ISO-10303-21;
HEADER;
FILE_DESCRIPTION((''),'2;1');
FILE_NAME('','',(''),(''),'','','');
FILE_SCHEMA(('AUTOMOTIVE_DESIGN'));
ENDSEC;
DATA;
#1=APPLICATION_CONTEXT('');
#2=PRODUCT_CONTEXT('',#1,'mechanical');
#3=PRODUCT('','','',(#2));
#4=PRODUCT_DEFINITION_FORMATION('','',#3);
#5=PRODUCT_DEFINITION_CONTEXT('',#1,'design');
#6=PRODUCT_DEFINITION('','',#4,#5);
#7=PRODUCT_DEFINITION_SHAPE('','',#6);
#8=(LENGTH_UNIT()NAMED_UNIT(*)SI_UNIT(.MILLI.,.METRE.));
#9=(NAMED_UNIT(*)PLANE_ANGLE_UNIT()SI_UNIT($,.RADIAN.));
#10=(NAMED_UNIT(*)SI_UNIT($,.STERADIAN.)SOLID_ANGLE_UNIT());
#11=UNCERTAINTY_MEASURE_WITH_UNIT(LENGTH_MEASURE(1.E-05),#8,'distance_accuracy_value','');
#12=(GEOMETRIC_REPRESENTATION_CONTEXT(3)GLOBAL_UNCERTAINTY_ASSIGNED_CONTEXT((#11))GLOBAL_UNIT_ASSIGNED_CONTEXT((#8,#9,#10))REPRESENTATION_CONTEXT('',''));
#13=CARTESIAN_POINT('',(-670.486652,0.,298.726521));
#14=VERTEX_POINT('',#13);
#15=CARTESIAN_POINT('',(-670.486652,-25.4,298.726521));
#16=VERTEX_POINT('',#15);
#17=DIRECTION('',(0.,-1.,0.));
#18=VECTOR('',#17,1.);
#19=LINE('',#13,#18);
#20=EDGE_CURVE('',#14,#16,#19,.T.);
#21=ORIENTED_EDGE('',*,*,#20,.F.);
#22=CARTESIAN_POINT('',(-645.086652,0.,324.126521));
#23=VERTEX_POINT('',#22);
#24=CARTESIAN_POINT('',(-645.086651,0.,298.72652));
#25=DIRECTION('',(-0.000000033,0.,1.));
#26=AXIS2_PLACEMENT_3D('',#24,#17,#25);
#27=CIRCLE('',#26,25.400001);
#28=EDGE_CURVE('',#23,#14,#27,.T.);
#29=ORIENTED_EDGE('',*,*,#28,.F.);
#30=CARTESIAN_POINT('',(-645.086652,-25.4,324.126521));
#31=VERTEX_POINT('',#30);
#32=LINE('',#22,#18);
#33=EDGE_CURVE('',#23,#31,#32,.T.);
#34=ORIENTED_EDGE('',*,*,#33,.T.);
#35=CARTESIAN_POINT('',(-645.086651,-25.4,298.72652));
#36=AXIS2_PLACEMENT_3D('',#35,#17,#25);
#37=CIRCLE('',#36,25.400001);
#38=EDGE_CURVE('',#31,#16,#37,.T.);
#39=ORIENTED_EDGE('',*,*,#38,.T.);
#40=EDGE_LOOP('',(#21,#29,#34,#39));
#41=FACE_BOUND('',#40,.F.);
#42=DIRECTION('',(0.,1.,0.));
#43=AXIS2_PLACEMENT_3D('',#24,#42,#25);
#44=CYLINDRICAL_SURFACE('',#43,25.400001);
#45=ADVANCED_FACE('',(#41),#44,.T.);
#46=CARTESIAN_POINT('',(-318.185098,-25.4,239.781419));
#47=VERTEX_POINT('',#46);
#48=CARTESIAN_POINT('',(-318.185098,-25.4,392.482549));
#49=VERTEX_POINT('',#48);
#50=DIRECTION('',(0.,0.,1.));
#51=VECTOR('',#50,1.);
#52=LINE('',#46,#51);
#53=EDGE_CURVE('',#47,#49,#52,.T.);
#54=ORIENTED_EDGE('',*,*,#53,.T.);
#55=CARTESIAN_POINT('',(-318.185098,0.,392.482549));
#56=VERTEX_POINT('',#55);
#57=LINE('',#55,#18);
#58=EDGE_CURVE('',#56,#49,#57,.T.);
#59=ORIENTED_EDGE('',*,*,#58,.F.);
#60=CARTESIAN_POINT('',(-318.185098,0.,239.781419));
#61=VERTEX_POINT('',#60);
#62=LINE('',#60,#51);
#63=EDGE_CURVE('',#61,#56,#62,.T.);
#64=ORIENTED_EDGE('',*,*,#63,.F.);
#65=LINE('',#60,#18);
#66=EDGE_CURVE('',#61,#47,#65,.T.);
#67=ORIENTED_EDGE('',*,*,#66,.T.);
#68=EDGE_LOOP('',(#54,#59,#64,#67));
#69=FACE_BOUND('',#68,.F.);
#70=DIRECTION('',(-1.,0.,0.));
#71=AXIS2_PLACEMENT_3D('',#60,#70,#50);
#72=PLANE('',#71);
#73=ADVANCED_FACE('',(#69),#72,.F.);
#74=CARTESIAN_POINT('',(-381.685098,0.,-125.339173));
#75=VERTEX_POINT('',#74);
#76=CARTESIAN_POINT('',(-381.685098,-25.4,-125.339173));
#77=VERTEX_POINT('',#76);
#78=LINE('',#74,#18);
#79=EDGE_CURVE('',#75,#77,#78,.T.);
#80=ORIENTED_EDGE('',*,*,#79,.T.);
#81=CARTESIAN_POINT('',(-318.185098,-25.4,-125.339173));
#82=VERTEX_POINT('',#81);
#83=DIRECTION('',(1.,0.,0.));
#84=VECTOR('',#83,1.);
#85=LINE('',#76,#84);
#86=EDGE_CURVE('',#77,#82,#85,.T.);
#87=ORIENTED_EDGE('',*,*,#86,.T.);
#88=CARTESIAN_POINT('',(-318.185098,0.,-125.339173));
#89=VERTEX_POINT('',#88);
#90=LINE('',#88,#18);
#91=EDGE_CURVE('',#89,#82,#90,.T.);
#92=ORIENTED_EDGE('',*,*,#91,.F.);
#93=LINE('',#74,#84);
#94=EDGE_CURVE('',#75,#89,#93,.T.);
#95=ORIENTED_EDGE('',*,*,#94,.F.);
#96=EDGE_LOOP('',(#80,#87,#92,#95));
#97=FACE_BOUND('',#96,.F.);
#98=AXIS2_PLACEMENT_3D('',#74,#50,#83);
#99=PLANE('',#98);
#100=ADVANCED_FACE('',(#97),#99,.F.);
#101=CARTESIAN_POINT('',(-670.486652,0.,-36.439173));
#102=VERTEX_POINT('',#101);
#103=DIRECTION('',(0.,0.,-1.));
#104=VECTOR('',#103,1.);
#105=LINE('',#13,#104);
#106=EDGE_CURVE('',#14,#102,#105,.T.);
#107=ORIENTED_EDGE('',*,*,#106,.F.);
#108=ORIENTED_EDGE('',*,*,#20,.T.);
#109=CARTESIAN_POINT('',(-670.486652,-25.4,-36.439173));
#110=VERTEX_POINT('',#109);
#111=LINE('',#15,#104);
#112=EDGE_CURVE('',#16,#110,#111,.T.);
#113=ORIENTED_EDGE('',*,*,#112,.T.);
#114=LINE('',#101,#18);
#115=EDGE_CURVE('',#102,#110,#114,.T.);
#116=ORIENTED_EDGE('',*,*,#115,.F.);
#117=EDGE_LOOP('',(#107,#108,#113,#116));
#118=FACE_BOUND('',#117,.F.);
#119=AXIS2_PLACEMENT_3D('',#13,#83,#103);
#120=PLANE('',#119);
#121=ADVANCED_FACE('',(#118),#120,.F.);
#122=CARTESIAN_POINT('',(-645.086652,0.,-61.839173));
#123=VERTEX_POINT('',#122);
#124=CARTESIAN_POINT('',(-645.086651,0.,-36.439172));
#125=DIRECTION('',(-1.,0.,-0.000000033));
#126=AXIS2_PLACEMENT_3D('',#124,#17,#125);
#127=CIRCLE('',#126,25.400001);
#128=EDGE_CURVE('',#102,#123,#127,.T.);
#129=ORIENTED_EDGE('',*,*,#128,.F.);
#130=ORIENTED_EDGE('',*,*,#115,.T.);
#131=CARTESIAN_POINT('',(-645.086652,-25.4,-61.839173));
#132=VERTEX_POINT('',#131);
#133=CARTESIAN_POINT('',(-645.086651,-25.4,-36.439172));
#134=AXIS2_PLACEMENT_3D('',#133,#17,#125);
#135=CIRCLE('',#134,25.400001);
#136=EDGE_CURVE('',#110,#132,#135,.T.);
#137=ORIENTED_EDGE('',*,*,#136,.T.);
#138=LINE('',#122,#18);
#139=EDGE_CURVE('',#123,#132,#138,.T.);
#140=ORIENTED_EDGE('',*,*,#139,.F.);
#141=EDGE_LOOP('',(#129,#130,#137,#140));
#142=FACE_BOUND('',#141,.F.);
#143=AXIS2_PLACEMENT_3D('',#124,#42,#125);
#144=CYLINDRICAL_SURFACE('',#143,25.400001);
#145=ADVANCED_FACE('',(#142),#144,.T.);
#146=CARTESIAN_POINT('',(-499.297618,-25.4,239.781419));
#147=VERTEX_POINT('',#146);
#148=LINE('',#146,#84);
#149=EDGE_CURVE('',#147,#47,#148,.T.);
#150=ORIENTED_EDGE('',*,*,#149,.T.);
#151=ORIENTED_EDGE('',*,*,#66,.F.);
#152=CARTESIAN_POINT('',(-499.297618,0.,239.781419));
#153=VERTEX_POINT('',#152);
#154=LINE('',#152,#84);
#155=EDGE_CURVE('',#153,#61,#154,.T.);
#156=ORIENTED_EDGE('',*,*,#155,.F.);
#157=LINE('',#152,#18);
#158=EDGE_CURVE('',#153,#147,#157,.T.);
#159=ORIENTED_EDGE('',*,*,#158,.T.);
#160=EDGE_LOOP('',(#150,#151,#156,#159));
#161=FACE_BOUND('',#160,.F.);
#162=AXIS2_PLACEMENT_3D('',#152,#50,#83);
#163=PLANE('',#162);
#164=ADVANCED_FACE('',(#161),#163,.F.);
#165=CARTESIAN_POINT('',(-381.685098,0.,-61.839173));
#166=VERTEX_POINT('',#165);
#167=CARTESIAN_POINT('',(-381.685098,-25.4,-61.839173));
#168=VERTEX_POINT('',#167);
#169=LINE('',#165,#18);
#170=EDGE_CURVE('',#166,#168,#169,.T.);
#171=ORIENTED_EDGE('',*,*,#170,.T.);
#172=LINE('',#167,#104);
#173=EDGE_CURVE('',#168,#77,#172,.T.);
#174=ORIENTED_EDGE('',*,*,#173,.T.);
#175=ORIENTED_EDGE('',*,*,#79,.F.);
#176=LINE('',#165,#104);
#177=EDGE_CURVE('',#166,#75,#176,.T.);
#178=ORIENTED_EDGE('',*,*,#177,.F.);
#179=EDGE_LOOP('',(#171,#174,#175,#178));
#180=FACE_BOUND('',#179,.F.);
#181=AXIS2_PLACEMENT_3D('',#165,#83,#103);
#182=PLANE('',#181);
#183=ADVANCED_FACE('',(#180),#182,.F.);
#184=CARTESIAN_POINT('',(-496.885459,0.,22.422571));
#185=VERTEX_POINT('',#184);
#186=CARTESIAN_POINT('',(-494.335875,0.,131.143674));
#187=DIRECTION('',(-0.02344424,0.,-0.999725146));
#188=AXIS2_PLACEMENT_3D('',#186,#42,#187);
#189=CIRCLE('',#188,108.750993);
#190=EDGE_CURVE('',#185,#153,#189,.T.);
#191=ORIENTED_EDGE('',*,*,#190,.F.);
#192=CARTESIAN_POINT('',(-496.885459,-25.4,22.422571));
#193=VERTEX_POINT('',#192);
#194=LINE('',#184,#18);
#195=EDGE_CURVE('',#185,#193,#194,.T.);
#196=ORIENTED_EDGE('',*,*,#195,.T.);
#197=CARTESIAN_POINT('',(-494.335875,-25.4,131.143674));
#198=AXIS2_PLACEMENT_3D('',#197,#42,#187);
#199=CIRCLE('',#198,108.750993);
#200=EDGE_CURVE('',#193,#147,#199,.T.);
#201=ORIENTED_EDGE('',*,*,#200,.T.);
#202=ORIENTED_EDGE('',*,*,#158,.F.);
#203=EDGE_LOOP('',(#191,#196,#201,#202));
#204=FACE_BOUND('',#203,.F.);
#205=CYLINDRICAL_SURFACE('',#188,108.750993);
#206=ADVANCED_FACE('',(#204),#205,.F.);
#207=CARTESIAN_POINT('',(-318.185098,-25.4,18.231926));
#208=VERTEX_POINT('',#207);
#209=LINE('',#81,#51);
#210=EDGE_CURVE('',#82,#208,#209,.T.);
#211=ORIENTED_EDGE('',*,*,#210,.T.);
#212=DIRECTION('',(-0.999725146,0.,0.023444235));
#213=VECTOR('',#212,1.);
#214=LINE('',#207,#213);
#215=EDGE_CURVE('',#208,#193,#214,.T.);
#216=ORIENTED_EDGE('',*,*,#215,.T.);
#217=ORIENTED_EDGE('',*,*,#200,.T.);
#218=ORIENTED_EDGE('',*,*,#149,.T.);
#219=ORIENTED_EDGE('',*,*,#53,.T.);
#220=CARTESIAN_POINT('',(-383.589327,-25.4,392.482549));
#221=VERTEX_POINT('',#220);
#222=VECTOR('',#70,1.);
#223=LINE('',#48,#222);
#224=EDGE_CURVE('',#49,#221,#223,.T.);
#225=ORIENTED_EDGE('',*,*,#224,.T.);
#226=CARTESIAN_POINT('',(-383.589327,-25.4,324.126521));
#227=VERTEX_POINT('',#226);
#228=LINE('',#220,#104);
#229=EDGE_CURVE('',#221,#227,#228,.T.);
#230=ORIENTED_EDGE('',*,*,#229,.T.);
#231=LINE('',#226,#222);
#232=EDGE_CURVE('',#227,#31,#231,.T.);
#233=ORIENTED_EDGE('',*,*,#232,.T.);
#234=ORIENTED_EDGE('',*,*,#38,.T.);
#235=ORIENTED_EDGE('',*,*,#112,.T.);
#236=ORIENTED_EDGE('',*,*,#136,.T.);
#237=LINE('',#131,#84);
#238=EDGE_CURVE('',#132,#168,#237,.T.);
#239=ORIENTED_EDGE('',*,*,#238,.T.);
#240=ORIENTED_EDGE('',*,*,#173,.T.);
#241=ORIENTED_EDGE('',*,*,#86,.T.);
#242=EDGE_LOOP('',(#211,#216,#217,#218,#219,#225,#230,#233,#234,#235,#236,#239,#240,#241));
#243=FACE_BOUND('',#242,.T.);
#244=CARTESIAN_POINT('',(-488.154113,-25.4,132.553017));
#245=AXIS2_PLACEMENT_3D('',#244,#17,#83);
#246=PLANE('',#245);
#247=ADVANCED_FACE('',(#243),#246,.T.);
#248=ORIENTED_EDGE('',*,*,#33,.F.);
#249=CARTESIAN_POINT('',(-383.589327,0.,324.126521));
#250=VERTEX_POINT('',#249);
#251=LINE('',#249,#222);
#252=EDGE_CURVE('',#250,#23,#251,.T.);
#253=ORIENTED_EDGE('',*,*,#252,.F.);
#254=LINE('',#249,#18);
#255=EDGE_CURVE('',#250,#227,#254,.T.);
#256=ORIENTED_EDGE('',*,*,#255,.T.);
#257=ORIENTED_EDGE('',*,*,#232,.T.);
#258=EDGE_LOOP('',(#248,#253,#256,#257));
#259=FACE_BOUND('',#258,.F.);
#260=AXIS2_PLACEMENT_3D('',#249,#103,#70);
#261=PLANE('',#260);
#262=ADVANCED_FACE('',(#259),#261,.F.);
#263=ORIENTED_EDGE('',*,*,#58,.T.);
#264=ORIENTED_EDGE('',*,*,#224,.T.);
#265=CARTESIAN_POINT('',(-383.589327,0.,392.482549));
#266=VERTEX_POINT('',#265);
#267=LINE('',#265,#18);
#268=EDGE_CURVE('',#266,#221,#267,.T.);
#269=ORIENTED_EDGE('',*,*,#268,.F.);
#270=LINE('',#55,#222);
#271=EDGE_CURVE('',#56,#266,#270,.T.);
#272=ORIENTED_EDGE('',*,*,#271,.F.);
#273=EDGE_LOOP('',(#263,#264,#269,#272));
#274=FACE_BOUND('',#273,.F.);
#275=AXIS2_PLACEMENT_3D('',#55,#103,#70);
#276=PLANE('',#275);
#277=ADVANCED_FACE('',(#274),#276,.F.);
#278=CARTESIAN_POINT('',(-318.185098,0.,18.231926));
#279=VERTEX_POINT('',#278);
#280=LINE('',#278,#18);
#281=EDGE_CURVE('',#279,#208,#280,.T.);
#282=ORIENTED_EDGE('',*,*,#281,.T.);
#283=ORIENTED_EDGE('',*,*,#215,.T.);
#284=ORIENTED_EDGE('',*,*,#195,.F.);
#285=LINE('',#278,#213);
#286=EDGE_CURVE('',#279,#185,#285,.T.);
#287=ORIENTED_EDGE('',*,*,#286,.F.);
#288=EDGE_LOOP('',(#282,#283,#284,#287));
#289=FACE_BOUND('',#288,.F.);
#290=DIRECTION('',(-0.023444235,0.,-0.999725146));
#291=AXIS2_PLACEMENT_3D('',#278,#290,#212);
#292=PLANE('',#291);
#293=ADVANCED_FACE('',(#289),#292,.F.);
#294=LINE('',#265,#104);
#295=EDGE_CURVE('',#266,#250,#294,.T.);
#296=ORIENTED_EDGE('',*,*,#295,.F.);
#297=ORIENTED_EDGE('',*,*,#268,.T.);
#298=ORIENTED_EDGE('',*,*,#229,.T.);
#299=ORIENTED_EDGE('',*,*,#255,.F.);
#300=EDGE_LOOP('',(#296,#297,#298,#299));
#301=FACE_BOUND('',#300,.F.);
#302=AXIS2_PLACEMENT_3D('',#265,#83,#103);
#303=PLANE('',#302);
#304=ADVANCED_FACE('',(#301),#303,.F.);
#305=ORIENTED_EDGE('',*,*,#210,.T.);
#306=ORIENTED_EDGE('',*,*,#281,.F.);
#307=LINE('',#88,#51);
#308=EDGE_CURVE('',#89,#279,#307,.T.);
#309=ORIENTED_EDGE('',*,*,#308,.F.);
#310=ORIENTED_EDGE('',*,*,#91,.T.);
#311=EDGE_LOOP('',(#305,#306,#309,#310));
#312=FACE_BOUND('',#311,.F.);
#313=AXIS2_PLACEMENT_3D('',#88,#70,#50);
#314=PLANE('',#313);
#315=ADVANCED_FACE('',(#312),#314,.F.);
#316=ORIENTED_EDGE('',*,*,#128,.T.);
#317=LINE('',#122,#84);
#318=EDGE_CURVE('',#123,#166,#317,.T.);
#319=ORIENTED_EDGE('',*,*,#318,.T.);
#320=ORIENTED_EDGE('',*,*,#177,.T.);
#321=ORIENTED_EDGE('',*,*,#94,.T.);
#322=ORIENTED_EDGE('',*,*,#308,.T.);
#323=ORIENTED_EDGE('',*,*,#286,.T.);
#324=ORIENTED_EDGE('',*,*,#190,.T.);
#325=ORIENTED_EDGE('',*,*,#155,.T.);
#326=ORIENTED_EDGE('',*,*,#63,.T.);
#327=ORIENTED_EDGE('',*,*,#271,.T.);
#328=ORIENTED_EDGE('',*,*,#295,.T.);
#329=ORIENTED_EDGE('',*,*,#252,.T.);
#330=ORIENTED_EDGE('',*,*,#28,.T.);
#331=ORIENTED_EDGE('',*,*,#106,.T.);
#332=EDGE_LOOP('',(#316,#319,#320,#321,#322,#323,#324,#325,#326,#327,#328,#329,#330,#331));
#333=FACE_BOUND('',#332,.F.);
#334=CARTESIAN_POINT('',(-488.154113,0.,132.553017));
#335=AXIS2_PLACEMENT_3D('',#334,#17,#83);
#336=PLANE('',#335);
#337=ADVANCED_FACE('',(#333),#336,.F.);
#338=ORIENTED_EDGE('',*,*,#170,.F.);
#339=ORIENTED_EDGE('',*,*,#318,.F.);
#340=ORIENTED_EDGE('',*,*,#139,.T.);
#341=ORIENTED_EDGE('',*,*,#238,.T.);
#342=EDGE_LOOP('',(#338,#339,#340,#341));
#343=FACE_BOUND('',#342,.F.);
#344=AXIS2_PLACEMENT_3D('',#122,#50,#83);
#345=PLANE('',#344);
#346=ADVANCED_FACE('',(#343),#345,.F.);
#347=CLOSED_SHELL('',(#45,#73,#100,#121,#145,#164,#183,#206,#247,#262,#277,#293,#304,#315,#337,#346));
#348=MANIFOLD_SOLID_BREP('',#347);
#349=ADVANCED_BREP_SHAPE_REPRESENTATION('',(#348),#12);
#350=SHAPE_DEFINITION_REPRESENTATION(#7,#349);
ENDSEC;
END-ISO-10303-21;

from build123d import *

# Parameters (mm, degrees)
F1_DEPTH = 25.4


with BuildPart() as f1:
    # F0 (on Front) → F1 (new body)
    with BuildSketch(Plane.XZ):
        with BuildLine():
            Line((-383.589327, 324.126521), (-645.086652, 324.126521))
            ThreePointArc((-645.086652, 324.126521), (-663.047164, 316.687033), (-670.486652, 298.726521))
            Line((-670.486652, 298.726521), (-670.486652, -36.439173))
            ThreePointArc((-670.486652, -36.439173), (-663.047164, -54.399685), (-645.086652, -61.839173))
            Line((-645.086652, -61.839173), (-381.685098, -61.839173))
            Line((-381.685098, -61.839173), (-381.685098, -125.339173))
            Line((-381.685098, -125.339173), (-318.185098, -125.339173))
            Line((-318.185098, -125.339173), (-318.185098, -61.839173))
            Line((-318.185098, -61.839173), (-318.185098, 18.231926))
            Line((-318.185098, 18.231926), (-496.885459, 22.422571))
            ThreePointArc((-496.885459, 22.422571), (-603.080172, 129.936874), (-499.297618, 239.781419))
            ThreePointArc((-499.297618, 239.781419), (-494.335875, 239.894667), (-489.374132, 239.781419))
            Line((-489.374132, 239.781419), (-318.185098, 239.781419))
            Line((-318.185098, 239.781419), (-318.185098, 324.126521))
            Line((-318.185098, 324.126521), (-318.185098, 327.941657))
            Line((-318.185098, 327.941657), (-318.185098, 392.482549))
            Line((-318.185098, 392.482549), (-383.589327, 392.482549))
            Line((-383.589327, 392.482549), (-383.589327, 327.941657))
            Line((-383.589327, 327.941657), (-383.589327, 324.126521))
        make_face()
        with BuildLine():
            Line((-499.297618, 239.781419), (-489.374132, 239.781419))
            ThreePointArc((-489.374132, 239.781419), (-494.335875, 239.894667), (-499.297618, 239.781419))
        make_face()
    extrude(amount=F1_DEPTH)


solid = f1.part
